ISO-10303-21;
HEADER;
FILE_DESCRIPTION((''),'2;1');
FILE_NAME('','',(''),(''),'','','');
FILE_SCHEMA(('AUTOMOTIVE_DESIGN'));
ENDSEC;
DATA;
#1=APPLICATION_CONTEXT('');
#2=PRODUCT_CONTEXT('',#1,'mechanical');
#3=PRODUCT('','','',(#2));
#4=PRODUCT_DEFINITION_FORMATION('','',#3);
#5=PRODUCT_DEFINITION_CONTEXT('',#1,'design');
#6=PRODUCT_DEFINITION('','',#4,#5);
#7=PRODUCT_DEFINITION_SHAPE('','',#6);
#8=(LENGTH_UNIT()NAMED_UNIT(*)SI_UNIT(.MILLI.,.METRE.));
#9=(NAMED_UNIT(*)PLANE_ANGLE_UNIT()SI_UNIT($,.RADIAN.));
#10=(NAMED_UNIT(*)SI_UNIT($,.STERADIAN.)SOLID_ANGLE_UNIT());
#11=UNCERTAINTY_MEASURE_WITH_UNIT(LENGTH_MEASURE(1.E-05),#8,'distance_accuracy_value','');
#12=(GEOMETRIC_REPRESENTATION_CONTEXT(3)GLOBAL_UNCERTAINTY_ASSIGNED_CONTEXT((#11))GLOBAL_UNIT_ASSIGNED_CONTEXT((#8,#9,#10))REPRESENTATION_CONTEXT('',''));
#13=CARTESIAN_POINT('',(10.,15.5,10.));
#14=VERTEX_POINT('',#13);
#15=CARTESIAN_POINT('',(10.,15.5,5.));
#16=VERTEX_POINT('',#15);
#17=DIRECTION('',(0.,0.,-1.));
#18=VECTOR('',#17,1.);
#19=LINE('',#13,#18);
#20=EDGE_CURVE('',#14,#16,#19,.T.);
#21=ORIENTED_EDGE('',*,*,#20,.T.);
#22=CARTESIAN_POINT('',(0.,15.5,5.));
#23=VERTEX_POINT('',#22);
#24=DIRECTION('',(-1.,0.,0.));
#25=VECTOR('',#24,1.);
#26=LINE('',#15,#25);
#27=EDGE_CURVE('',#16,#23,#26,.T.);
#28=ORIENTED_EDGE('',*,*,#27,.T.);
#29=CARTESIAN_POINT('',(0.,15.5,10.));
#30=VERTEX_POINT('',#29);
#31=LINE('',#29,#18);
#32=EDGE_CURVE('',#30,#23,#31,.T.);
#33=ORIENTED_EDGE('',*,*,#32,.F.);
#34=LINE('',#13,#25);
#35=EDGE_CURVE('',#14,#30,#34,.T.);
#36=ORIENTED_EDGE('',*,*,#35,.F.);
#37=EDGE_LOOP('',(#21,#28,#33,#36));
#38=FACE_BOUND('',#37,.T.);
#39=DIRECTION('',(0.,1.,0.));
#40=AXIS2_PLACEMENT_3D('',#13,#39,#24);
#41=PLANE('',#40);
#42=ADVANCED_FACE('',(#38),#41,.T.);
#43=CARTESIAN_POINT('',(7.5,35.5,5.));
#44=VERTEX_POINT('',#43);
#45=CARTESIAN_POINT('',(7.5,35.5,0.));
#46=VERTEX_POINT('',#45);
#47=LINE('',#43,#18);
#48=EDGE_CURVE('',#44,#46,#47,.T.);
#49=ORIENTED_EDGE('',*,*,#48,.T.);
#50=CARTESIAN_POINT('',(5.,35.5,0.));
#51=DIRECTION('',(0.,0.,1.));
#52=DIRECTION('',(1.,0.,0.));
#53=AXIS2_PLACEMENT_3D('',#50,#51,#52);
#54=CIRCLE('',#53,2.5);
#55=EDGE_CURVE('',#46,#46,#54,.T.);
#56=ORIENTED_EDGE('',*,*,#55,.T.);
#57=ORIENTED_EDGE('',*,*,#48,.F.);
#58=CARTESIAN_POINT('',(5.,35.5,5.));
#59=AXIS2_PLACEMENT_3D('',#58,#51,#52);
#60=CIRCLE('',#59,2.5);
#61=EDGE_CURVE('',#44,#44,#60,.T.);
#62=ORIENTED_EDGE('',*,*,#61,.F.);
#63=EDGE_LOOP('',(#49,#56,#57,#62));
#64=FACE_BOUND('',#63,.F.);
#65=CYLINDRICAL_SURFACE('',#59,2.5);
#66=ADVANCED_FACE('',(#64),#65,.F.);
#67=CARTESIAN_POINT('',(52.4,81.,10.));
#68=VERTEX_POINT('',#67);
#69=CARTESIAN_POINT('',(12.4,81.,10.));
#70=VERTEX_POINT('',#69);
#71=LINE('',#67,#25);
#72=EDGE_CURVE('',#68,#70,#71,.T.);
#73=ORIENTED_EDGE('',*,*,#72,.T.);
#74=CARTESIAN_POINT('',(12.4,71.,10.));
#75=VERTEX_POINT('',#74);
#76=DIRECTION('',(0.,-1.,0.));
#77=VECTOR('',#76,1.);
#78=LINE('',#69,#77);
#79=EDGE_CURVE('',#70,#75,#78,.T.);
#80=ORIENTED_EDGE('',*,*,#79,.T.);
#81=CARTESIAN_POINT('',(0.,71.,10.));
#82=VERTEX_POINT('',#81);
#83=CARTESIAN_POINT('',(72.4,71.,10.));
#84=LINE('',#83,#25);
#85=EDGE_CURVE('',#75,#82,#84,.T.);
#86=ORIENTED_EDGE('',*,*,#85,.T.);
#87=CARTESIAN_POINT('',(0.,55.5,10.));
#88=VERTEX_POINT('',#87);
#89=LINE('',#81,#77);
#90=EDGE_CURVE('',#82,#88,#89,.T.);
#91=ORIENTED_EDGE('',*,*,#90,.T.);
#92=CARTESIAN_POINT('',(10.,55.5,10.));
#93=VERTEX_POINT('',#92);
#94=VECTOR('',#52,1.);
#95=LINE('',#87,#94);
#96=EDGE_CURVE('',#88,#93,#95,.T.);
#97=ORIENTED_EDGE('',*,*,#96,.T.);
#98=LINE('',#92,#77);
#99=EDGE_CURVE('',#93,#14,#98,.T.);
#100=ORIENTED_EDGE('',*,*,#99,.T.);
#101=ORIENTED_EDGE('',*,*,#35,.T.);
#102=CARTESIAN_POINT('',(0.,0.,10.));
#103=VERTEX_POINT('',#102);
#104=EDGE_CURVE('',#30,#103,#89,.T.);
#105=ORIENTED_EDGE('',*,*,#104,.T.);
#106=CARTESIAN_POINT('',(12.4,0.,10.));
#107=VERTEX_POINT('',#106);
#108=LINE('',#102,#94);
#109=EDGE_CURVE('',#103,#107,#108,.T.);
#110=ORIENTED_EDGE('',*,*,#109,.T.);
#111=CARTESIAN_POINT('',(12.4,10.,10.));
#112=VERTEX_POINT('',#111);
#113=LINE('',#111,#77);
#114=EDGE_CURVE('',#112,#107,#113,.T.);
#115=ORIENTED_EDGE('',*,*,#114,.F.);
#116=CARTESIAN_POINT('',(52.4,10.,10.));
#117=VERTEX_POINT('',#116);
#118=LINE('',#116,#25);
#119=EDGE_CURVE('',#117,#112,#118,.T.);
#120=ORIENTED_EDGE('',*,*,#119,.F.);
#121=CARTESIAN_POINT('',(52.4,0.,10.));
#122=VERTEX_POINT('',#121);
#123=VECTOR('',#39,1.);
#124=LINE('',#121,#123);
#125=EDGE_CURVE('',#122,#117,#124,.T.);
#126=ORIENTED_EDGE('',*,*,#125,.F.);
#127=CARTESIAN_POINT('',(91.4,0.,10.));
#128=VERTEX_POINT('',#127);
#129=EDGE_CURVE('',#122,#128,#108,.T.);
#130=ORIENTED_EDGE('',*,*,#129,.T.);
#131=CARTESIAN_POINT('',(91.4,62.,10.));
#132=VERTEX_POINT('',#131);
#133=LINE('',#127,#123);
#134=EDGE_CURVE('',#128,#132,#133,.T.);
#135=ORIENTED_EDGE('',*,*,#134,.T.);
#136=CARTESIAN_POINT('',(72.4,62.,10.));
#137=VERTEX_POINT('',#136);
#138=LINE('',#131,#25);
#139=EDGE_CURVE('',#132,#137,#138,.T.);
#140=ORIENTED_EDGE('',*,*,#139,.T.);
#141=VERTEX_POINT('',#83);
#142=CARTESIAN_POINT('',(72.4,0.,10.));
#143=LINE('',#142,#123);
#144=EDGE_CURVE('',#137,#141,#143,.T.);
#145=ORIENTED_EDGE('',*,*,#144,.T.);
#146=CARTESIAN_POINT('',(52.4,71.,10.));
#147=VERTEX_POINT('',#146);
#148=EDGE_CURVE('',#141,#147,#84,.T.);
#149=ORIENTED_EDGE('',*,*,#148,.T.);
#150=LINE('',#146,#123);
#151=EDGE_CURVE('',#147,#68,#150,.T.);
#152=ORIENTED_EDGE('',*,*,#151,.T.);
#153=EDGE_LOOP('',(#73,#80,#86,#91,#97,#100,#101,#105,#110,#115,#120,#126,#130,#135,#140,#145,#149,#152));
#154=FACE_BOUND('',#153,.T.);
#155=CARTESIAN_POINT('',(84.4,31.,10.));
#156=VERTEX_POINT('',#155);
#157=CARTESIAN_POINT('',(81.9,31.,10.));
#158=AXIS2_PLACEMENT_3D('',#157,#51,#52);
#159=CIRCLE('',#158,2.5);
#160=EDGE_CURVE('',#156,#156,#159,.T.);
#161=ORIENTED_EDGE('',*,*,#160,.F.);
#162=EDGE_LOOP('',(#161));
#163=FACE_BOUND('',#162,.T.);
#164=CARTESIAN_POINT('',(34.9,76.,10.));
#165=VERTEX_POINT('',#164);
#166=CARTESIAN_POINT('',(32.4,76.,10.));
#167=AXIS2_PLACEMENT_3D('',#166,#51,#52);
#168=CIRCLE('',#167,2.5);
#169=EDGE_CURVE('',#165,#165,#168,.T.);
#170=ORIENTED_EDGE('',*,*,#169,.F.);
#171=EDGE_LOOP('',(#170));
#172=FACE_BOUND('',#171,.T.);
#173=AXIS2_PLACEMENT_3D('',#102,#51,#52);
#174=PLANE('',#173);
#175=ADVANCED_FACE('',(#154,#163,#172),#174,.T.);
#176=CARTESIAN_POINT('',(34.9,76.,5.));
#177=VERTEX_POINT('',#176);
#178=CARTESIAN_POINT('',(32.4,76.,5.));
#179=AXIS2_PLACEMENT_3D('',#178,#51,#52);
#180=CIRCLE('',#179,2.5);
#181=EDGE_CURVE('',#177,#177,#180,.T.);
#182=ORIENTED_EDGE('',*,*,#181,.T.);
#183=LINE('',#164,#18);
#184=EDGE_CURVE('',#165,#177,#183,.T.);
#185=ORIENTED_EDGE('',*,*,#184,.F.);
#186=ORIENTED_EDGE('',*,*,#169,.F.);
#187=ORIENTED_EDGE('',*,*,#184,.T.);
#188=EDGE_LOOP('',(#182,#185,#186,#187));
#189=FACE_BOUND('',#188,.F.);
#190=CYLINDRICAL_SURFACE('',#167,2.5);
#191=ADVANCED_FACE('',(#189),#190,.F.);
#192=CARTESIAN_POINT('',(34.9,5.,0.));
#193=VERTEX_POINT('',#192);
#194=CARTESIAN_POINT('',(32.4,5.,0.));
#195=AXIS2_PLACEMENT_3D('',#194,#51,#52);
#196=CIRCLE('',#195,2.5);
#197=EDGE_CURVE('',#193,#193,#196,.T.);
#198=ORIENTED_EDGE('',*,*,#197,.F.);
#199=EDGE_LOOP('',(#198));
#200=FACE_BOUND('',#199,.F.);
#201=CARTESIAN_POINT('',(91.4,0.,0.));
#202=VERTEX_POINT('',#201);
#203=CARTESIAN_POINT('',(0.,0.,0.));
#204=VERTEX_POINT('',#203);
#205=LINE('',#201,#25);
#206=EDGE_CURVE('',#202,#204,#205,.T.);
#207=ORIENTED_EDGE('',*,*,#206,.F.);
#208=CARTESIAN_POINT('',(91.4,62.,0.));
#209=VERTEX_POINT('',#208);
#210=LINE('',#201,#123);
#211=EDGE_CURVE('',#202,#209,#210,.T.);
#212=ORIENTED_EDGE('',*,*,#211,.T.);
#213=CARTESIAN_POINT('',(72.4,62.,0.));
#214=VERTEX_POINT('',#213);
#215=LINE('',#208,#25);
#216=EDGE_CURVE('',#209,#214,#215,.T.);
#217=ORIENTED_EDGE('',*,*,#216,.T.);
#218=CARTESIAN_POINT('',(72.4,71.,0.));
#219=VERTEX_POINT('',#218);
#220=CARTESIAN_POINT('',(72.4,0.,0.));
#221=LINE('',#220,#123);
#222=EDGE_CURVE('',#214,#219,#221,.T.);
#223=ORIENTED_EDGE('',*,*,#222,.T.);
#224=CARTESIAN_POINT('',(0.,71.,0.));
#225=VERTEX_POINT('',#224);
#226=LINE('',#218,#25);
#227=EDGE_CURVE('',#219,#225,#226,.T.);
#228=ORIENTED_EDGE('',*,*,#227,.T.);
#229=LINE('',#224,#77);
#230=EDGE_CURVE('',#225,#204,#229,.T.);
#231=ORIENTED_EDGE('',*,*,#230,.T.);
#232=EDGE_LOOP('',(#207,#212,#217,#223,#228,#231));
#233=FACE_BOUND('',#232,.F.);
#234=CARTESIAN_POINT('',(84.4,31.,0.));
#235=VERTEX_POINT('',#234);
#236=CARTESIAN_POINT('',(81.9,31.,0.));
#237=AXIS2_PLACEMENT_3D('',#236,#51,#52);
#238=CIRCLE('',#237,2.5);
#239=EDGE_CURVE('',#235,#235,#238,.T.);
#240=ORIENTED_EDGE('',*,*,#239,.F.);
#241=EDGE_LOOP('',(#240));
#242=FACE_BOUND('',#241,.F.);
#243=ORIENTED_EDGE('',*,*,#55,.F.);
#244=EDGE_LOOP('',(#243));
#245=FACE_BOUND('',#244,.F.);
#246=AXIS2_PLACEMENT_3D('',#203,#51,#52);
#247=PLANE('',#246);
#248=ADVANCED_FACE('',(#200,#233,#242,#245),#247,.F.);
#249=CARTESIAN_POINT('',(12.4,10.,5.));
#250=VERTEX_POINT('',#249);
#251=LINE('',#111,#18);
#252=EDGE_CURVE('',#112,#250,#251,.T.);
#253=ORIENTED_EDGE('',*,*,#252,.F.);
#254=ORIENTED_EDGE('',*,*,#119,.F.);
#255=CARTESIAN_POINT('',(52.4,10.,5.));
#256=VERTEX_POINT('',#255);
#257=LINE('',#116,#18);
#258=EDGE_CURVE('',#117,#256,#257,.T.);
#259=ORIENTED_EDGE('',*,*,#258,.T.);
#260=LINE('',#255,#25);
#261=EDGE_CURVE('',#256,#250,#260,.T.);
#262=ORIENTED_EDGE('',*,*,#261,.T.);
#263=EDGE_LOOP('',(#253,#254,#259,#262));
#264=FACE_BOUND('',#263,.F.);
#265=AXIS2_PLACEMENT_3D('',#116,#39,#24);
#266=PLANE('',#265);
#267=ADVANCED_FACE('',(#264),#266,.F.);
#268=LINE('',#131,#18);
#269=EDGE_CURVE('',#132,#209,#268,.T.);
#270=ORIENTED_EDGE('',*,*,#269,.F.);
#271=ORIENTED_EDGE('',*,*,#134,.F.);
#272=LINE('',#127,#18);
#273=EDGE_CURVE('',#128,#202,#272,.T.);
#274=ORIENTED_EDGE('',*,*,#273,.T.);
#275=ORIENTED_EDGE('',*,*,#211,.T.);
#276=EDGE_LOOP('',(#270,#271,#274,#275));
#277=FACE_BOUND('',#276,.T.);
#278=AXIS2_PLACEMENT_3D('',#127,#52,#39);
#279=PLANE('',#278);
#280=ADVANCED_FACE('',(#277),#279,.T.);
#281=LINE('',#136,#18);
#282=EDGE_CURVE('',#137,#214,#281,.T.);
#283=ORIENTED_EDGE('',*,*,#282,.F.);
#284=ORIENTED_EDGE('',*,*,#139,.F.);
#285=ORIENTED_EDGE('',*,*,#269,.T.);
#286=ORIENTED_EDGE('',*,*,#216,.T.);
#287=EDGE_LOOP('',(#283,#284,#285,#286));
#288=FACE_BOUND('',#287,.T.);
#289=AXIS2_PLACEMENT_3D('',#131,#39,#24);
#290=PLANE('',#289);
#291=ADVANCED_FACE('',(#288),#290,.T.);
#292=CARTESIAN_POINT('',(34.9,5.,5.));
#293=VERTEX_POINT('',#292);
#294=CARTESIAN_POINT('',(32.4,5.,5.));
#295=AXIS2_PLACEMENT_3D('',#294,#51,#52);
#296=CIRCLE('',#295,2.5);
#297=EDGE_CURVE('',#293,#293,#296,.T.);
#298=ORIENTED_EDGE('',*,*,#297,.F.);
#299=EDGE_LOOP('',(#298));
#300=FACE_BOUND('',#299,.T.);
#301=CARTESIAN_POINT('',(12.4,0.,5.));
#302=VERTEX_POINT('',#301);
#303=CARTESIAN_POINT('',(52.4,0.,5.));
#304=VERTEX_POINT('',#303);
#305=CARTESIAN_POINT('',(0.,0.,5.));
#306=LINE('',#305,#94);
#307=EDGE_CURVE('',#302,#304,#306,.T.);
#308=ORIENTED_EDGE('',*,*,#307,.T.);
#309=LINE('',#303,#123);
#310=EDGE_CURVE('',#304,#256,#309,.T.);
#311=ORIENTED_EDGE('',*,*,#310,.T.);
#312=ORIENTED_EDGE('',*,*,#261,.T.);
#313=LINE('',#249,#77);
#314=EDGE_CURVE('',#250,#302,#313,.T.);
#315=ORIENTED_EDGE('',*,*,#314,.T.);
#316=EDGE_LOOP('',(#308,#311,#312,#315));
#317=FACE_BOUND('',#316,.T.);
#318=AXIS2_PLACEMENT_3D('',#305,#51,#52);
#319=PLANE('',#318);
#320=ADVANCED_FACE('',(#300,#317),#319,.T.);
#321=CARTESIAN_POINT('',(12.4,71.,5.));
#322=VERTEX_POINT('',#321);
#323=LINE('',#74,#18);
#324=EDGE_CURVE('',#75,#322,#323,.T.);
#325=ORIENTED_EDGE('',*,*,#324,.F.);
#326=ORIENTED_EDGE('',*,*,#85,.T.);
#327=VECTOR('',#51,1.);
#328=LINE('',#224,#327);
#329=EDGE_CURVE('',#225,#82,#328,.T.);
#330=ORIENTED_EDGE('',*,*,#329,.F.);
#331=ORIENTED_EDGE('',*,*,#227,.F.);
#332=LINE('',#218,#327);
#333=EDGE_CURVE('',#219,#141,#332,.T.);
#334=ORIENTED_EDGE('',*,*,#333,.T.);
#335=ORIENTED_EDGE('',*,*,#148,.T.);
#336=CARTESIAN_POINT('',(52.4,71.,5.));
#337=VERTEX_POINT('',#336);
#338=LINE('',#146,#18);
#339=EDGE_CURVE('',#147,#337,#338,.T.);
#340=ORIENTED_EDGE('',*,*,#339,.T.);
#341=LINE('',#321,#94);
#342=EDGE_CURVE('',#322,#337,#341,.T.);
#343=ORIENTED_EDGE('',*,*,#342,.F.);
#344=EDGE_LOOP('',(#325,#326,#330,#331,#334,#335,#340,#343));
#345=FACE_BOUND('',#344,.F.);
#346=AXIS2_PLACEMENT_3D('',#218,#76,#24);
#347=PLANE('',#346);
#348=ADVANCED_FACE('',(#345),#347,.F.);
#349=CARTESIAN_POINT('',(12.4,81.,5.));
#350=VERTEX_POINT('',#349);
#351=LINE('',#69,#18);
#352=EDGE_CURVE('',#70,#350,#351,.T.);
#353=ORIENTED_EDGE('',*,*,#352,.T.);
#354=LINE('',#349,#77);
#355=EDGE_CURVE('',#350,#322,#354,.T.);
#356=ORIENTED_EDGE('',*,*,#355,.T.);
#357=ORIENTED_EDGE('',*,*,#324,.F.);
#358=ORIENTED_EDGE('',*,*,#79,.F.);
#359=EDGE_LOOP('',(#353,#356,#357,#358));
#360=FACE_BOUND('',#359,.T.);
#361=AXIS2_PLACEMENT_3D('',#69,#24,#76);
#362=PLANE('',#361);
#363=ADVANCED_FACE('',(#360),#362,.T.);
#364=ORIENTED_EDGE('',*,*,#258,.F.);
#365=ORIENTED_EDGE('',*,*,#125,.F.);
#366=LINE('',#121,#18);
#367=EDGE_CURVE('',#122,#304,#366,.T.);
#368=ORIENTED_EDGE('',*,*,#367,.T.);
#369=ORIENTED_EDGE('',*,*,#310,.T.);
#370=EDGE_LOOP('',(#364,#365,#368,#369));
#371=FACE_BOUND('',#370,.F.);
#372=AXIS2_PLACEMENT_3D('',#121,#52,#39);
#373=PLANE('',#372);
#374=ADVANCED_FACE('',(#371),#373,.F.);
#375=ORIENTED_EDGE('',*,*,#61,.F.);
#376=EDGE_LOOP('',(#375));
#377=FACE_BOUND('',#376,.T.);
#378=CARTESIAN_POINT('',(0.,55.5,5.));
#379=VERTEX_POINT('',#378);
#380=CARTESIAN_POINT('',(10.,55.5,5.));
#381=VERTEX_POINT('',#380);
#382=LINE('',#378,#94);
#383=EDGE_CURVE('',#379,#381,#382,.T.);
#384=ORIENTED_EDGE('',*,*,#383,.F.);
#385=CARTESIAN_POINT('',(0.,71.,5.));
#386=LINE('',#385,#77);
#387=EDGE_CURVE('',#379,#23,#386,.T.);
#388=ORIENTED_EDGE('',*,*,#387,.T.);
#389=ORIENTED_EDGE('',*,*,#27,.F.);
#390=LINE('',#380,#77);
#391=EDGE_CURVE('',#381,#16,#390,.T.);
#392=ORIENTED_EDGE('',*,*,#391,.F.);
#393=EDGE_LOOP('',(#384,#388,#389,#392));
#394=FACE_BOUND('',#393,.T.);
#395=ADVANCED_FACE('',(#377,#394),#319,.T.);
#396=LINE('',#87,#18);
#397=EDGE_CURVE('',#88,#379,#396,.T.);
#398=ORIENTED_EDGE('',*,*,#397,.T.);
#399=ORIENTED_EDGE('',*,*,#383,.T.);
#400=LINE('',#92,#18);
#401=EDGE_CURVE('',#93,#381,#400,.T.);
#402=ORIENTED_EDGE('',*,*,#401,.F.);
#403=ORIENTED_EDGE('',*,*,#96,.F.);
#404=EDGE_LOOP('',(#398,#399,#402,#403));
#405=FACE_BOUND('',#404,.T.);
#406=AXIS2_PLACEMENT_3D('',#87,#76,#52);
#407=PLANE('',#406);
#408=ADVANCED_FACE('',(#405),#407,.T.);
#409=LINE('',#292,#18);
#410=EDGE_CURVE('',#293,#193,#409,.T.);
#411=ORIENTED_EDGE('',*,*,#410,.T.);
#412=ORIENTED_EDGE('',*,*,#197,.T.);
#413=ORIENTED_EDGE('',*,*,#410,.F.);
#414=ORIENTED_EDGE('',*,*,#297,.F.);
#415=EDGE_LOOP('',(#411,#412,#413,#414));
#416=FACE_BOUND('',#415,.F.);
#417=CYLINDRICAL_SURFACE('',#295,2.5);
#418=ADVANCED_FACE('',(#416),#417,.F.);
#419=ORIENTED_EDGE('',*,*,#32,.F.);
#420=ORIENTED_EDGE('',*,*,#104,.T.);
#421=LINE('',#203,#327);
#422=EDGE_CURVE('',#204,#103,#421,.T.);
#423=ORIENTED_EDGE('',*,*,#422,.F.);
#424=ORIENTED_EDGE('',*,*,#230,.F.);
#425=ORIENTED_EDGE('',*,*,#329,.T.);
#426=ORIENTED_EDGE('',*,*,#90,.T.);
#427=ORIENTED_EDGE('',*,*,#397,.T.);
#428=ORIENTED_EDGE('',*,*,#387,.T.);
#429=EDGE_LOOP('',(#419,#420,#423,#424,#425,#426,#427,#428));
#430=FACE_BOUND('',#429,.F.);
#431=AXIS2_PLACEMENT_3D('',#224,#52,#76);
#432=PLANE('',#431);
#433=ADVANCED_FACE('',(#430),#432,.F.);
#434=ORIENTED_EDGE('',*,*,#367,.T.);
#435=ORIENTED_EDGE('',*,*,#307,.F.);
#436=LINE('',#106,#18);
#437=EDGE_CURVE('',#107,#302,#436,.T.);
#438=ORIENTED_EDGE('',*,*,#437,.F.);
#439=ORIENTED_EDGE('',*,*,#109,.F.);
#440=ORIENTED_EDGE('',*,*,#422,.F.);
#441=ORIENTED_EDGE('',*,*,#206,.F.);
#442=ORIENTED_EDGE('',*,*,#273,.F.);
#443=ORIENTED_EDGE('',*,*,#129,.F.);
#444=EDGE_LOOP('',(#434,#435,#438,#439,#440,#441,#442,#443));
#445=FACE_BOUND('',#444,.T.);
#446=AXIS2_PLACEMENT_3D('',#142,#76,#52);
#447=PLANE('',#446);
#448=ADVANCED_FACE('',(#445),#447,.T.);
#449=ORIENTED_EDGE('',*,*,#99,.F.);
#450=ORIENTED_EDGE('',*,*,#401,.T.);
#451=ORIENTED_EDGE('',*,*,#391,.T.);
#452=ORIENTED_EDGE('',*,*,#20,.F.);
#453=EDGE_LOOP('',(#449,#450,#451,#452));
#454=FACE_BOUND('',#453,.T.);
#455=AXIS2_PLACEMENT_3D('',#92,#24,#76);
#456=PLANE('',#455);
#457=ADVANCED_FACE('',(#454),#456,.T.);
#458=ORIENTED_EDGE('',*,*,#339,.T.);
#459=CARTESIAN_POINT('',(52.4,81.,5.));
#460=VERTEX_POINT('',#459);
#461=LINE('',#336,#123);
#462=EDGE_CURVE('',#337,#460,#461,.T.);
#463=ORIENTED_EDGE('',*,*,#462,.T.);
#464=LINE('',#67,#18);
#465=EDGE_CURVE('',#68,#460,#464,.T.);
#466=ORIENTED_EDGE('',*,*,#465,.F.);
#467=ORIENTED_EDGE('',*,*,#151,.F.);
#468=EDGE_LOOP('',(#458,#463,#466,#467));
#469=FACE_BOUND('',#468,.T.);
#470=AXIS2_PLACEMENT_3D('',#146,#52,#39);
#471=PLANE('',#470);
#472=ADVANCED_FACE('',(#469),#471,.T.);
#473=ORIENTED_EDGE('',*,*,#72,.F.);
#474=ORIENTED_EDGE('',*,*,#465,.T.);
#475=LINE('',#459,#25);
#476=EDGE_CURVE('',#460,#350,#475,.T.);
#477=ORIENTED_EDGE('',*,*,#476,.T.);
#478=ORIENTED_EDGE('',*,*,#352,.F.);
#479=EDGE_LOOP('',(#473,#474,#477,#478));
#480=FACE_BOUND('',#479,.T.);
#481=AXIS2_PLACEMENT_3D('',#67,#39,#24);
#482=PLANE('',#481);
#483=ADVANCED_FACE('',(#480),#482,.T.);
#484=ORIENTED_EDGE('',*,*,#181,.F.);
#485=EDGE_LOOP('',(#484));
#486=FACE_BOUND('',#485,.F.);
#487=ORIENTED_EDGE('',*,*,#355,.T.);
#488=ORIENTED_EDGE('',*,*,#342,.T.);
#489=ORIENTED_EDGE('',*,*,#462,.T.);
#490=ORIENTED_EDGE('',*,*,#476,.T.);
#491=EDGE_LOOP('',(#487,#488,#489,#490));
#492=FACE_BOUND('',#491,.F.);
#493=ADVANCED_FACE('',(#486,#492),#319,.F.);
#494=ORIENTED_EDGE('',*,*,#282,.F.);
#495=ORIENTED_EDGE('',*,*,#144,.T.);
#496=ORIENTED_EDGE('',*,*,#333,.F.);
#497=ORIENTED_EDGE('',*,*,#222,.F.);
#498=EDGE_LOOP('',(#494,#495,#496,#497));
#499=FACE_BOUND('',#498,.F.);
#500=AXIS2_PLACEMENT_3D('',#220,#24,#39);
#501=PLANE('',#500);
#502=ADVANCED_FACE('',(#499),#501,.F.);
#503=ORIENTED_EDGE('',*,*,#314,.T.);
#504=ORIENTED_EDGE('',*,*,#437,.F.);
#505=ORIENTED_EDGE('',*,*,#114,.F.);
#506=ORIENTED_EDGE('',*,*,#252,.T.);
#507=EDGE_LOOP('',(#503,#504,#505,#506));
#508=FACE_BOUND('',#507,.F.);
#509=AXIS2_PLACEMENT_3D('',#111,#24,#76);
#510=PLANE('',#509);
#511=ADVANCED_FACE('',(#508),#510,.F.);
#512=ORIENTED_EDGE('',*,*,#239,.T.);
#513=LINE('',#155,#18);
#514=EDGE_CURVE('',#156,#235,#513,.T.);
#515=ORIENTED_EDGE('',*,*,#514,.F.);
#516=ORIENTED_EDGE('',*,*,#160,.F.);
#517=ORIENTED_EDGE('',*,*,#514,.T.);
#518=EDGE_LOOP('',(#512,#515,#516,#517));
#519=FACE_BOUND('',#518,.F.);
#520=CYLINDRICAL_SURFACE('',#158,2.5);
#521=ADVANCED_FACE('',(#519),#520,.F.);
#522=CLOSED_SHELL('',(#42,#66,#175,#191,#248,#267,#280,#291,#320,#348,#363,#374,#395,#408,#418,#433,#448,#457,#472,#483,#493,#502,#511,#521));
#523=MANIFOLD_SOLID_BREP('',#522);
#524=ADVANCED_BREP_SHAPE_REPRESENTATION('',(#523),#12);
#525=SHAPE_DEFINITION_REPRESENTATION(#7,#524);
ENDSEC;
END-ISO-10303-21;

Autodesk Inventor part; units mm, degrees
ref_plane "YZ Plane" through (0, 0, 0) normal (1, 0, 0) x (0, 1, 0)
ref_plane "XZ Plane" through (0, 0, 0) normal (0, 1, 0) x (-1, 0, 0)
ref_plane "XY Plane" through (0, 0, 0) normal (0, 0, 1) x (1, 0, 0)
sketch "Sketch1" plane through (0, 0, 0) normal (0, 0, 1) x (1, 0, 0)
  line L0 (0, 0) -> (72.4, 0)
  line L1 (72.4, 0) -> (72.4, 71)
  line L2 (72.4, 71) -> (0, 71)
  line L3 (0, 71) -> (0, 0)
  dimension "d0" = 72.4
  dimension "d1" = 71
extrude "Extrusion1" add sketch "Sketch1" along normal blind 10
sketch "Sketch2" plane through (0, 0, 10) normal (0, 0, 1) x (1, 0, 0)
  line L0 (12.4, 71) -> (52.4, 71)
  line L1 (52.4, 71) -> (52.4, 81)
  line L2 (52.4, 81) -> (12.4, 81)
  line L3 (12.4, 81) -> (12.4, 71)
  line L4 (72.4, 0) -> (72.4, 71) projected
  line L5 (72.4, 71) -> (0, 71) projected
  circle A0 centre (32.4, 76) radius 2.5
  point P0 (0, 0)
  point P1 (36.2, 71)
  point P2 (52.4, 76)
  point P3 (32.4, 81)
  dimension "d4" = 40
  dimension "d5" = 10
  dimension "d6" = 20
  dimension "d7" = 5
extrude "Extrusion2" add sketch "Sketch2" against normal blind 5
sketch "Sketch3" plane through (0, 0, 10) normal (0, 0, 1) x (1, 0, 0)
  line L0 (72.4, 0) -> (72.4, 71) projected
  line L1 (72.4, 0) -> (91.4, 0)
  line L2 (91.4, 0) -> (91.4, 62)
  line L3 (91.4, 62) -> (72.4, 62)
  line L4 (72.4, 62) -> (72.4, 0)
  line L5 (72.4, 71) -> (52.4, 71) projected
  point P0 (0, 0)
  dimension "d10" = 19
  dimension "d11" = 9
extrude "Extrusion3" add sketch "Sketch3" against normal blind 10
sketch "Sketch4" plane through (0, 0, 10) normal (0, 0, 1) x (1, 0, 0)
  line L0 (91.4, 62) -> (72.4, 62) projected
  circle A0 centre (81.9, 31) radius 2.5
  line L1 (91.4, 0) -> (91.4, 62) projected
  point P0 (0, 0)
  point P1 (81.9, 62)
  point P2 (91.4, 31)
  dimension "d15" = 5
extrude "Extrusion4" cut sketch "Sketch4" against normal through all
sketch "Sketch5" plane through (0, 0, 10) normal (0, 0, 1) x (1, 0, 0)
  line L0 (0, 0) -> (91.4, 0) projected
  line L1 (12.4, 0) -> (52.4, 0)
  line L2 (52.4, 0) -> (52.4, 10)
  line L3 (52.4, 10) -> (12.4, 10)
  line L4 (12.4, 10) -> (12.4, 0)
  line L5 (0, 71) -> (0, 0) projected
  line L6 (0, 55.5) -> (10, 55.5)
  line L7 (10, 55.5) -> (10, 15.5)
  line L8 (10, 15.5) -> (0, 15.5)
  line L9 (0, 15.5) -> (0, 55.5)
  point P0 (52.4, 81)
  point P1 (12.4, 81)
  point P2 (0, 35.5)
  point P3 (0, 35.5)
  dimension "d22" = 10
  dimension "d25" = 10
  dimension "d26" = 40
extrude "Extrusion5" cut sketch "Sketch5" against normal blind 5
sketch "Sketch6" plane through (0, 0, 5) normal (0, 0, 1) x (1, 0, 0)
  line L0 (0, 15.5) -> (0, 55.5) projected
  line L1 (10, 15.5) -> (0, 15.5) projected
  line L2 (10, 55.5) -> (10, 15.5) projected
  line L3 (0, 55.5) -> (10, 55.5) projected
  line L4 (52.4, 0) -> (12.4, 0) projected
  line L5 (52.4, 10) -> (52.4, 0) projected
  line L6 (12.4, 10) -> (52.4, 10) projected
  line L7 (12.4, 0) -> (12.4, 10) projected
  circle A0 centre (5, 35.5) radius 2.5
  circle A1 centre (32.4, 5) radius 2.5
  point P0 (0, 0)
  point P1 (0, 35.5)
  point P2 (12.4, 5)
  point P3 (32.4, 10)
  point P4 (5, 55.5)
  dimension "d27" = 5
  dimension "d28" = 5
extrude "Extrusion6" cut sketch "Sketch6" against normal through all contours A0 | A1
properties part number "SP003" material "ABS Plastic"
